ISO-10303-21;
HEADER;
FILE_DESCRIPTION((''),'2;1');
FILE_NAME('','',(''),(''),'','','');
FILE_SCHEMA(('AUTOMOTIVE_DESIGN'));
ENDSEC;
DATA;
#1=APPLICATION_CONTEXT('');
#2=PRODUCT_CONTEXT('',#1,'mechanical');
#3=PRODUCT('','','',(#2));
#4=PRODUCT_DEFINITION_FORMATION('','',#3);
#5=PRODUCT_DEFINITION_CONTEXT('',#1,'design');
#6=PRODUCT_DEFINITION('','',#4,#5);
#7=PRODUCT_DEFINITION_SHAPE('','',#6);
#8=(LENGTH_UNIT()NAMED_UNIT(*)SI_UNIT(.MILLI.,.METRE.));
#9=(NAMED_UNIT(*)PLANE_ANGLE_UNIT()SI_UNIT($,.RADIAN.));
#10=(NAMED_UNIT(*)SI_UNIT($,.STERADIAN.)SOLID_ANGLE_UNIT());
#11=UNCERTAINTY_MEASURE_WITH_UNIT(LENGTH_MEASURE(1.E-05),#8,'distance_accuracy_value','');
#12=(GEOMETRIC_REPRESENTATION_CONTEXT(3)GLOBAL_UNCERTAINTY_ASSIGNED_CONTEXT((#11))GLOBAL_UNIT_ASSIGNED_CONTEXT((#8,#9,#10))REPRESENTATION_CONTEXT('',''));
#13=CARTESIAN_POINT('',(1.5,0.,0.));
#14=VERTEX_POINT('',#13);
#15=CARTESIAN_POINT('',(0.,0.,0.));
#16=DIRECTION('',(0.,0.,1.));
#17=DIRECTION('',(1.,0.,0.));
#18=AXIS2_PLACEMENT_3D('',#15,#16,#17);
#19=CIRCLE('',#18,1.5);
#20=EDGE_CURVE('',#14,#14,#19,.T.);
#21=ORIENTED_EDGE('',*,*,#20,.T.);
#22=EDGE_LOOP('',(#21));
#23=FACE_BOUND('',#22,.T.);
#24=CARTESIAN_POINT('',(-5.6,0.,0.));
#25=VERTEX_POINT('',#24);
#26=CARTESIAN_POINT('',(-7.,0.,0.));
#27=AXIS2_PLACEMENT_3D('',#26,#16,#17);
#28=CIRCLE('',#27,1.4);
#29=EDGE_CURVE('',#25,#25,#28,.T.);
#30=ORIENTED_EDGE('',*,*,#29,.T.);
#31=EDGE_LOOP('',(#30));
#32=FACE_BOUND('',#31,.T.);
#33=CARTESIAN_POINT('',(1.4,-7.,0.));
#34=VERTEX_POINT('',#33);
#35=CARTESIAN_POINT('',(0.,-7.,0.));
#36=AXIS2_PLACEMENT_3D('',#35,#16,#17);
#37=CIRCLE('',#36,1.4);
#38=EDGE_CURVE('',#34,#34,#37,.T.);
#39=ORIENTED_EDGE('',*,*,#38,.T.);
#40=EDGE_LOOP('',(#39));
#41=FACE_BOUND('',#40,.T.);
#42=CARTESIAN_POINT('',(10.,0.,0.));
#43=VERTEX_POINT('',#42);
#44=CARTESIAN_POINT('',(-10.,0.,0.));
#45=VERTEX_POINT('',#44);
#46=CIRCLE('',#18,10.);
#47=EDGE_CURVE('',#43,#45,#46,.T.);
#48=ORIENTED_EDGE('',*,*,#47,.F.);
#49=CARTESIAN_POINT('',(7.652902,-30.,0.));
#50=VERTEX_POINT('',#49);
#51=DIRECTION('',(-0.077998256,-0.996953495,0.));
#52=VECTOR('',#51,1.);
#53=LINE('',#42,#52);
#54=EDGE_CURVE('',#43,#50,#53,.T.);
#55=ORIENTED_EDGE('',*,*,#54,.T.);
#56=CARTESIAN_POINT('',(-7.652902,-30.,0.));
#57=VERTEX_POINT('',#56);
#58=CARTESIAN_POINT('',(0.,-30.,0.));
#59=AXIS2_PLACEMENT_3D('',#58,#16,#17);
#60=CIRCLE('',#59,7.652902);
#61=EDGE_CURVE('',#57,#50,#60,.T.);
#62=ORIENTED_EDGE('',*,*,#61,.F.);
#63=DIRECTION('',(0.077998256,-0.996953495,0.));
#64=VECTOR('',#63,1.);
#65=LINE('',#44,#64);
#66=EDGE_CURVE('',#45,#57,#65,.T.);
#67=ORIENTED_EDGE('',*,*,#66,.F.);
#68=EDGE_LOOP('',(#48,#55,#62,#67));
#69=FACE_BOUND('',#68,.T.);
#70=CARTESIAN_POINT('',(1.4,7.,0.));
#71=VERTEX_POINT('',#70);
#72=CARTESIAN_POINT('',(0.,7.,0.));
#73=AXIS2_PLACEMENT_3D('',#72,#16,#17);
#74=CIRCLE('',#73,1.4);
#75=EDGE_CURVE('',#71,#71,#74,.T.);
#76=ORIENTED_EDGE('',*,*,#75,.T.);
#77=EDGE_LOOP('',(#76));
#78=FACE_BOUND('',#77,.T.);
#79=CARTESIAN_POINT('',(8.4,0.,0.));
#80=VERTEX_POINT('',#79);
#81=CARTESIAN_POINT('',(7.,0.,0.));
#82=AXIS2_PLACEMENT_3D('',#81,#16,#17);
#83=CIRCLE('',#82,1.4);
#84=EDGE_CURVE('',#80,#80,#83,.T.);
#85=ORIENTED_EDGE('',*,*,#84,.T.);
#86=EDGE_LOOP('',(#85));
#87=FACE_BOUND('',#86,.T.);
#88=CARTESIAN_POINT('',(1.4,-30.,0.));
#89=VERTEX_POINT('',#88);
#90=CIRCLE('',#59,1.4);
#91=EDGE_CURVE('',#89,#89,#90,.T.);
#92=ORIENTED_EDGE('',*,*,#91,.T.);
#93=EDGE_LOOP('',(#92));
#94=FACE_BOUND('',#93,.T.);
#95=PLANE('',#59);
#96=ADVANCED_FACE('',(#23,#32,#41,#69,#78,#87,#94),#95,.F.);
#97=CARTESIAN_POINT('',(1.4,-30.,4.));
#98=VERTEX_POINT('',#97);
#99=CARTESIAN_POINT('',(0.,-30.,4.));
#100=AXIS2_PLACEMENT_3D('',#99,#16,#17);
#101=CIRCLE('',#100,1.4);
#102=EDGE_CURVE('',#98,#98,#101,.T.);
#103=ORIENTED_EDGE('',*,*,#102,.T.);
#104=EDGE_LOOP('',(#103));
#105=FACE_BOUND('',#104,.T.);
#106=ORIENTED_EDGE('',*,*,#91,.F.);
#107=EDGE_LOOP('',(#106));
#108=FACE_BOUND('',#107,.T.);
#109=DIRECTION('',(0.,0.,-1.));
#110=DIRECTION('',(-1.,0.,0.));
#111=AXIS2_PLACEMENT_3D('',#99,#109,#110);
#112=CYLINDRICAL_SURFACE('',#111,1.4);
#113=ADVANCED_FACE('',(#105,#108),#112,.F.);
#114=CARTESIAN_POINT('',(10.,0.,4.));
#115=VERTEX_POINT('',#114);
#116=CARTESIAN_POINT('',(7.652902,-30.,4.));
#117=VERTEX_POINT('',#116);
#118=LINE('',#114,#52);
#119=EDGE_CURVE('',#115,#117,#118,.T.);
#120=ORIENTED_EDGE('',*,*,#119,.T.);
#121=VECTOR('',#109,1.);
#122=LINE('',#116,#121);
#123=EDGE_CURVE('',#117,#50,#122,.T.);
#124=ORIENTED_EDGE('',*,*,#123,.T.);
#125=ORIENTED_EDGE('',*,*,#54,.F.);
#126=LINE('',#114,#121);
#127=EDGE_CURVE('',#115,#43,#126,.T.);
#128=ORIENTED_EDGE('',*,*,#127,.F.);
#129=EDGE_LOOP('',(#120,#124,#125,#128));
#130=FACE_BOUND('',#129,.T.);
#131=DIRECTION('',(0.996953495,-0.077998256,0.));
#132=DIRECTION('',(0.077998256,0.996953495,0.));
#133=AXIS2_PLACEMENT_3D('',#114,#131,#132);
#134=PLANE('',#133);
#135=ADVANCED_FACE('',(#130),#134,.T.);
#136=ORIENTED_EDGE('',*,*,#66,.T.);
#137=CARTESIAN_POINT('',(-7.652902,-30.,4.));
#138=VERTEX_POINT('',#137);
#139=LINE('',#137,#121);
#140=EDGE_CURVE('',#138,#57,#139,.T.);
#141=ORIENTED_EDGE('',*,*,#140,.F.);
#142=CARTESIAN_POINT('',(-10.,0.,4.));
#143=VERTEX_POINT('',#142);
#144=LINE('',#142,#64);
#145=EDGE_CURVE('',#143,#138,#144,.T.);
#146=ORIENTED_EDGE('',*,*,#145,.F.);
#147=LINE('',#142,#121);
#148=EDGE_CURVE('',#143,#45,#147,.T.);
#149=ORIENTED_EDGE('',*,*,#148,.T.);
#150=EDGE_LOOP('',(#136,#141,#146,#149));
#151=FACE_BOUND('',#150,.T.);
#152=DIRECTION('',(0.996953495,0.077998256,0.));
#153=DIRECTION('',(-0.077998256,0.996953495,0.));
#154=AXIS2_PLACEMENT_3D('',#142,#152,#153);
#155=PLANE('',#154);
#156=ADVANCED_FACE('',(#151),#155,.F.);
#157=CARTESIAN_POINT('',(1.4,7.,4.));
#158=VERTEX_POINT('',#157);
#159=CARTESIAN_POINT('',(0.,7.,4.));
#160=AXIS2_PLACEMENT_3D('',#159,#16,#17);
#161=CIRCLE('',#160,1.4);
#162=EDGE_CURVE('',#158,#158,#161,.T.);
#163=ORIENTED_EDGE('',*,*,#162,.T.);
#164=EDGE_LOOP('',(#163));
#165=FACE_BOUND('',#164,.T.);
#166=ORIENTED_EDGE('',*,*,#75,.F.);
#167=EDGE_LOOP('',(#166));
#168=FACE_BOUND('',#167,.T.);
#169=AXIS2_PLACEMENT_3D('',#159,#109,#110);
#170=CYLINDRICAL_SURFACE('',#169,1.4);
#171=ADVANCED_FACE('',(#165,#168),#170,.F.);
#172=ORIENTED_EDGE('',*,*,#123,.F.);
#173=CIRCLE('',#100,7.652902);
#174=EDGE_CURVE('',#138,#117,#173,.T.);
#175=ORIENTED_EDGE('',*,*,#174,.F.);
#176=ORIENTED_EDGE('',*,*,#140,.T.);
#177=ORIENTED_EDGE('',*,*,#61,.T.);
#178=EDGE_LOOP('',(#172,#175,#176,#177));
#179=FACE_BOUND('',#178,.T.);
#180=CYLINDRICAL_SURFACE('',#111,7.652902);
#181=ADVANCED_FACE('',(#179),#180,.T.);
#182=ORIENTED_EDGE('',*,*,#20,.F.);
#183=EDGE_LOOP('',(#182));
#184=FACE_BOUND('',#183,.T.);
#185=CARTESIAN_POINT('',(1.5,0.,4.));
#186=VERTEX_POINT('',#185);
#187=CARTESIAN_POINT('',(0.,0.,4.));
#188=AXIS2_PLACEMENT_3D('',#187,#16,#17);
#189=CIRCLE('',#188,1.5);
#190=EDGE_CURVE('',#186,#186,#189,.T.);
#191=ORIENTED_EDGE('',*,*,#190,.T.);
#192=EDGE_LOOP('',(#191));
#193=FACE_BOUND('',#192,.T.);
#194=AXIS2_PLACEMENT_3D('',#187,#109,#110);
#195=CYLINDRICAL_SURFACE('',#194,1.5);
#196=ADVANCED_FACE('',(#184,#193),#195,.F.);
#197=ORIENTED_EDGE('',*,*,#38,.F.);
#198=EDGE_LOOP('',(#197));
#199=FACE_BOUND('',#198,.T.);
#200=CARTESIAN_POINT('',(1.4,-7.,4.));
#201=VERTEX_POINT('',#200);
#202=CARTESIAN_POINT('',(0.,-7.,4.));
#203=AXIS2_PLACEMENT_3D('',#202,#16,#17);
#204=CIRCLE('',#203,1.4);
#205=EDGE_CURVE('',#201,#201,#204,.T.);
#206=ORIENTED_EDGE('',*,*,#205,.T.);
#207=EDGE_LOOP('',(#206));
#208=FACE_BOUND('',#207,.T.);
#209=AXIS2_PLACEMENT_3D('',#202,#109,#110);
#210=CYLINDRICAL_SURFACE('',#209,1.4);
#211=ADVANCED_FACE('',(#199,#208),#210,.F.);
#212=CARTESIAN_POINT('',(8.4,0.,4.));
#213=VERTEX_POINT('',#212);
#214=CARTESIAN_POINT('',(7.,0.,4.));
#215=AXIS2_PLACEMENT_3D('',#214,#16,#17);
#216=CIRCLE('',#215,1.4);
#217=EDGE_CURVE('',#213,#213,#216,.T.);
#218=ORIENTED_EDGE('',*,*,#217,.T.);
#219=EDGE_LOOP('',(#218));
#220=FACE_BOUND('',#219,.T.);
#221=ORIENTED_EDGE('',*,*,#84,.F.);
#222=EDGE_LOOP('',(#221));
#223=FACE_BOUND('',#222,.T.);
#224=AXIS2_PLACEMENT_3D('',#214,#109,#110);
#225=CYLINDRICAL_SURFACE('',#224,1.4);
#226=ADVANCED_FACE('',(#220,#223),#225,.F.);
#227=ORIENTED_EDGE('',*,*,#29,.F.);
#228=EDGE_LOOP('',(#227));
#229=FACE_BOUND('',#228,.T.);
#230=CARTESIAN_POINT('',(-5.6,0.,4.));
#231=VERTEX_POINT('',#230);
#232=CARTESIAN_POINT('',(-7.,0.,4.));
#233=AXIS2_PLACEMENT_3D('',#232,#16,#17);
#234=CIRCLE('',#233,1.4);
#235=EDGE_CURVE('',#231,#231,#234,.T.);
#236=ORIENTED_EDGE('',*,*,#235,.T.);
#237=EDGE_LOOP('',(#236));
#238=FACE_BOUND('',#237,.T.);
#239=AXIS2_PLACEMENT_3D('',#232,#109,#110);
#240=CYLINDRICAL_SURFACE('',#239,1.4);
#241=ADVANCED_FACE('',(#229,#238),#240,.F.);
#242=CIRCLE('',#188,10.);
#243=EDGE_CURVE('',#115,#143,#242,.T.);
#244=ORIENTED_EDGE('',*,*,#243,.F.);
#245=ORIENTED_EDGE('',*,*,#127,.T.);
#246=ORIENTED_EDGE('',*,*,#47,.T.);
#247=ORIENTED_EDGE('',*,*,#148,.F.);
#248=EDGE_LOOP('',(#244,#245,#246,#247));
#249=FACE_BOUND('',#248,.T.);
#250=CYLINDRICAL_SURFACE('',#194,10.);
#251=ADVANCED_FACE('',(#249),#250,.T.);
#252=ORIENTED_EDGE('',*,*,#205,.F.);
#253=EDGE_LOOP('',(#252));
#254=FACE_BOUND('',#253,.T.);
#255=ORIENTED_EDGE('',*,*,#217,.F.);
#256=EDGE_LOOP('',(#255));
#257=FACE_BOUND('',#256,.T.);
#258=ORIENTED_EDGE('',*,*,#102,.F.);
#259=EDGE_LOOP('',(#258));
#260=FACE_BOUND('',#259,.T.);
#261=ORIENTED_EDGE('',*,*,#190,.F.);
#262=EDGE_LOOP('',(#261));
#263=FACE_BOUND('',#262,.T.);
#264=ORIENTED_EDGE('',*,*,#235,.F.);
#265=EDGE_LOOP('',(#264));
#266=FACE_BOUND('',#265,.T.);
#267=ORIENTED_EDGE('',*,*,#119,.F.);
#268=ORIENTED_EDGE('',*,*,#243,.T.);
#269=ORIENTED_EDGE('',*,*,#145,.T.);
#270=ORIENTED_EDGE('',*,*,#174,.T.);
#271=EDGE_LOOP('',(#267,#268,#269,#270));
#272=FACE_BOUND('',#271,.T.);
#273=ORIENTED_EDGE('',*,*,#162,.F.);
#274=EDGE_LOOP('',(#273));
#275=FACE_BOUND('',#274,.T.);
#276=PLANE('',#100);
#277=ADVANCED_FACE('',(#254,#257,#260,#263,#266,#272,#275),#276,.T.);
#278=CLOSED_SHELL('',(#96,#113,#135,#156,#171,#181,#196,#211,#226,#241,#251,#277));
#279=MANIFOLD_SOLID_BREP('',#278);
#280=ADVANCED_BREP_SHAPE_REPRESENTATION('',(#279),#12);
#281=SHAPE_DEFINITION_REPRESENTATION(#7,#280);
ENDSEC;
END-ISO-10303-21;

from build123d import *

# Parameters (mm, degrees)
SKETCH1_R           = 1.5
SKETCH1_R_2         = 1.4
BOSS_EXTRUDE1_DEPTH = 4


with BuildPart() as part:
    # Sketch1 → Boss-Extrude1 (new body)
    with BuildSketch(Plane.XY):
        with BuildLine():
            Line((-10, 0), (-7.652901889, -30))
            ThreePointArc((-7.652901889, -30), (0, -37.652901889), (7.652901889, -30))
            Line((7.652901889, -30), (10, 0))
            ThreePointArc((10, 0), (0, 10), (-10, 0))
        make_face()
        Circle(SKETCH1_R, mode=Mode.SUBTRACT)
        with Locations((7, 0)):
            Circle(SKETCH1_R_2, mode=Mode.SUBTRACT)
        with Locations((0, -7)):
            Circle(SKETCH1_R_2, mode=Mode.SUBTRACT)
        with Locations((-7, 0)):
            Circle(SKETCH1_R_2, mode=Mode.SUBTRACT)
        with Locations((0, 7)):
            Circle(SKETCH1_R_2, mode=Mode.SUBTRACT)
        with Locations((0, -30)):
            Circle(SKETCH1_R_2, mode=Mode.SUBTRACT)
    extrude(amount=BOSS_EXTRUDE1_DEPTH)


solid = part.part
